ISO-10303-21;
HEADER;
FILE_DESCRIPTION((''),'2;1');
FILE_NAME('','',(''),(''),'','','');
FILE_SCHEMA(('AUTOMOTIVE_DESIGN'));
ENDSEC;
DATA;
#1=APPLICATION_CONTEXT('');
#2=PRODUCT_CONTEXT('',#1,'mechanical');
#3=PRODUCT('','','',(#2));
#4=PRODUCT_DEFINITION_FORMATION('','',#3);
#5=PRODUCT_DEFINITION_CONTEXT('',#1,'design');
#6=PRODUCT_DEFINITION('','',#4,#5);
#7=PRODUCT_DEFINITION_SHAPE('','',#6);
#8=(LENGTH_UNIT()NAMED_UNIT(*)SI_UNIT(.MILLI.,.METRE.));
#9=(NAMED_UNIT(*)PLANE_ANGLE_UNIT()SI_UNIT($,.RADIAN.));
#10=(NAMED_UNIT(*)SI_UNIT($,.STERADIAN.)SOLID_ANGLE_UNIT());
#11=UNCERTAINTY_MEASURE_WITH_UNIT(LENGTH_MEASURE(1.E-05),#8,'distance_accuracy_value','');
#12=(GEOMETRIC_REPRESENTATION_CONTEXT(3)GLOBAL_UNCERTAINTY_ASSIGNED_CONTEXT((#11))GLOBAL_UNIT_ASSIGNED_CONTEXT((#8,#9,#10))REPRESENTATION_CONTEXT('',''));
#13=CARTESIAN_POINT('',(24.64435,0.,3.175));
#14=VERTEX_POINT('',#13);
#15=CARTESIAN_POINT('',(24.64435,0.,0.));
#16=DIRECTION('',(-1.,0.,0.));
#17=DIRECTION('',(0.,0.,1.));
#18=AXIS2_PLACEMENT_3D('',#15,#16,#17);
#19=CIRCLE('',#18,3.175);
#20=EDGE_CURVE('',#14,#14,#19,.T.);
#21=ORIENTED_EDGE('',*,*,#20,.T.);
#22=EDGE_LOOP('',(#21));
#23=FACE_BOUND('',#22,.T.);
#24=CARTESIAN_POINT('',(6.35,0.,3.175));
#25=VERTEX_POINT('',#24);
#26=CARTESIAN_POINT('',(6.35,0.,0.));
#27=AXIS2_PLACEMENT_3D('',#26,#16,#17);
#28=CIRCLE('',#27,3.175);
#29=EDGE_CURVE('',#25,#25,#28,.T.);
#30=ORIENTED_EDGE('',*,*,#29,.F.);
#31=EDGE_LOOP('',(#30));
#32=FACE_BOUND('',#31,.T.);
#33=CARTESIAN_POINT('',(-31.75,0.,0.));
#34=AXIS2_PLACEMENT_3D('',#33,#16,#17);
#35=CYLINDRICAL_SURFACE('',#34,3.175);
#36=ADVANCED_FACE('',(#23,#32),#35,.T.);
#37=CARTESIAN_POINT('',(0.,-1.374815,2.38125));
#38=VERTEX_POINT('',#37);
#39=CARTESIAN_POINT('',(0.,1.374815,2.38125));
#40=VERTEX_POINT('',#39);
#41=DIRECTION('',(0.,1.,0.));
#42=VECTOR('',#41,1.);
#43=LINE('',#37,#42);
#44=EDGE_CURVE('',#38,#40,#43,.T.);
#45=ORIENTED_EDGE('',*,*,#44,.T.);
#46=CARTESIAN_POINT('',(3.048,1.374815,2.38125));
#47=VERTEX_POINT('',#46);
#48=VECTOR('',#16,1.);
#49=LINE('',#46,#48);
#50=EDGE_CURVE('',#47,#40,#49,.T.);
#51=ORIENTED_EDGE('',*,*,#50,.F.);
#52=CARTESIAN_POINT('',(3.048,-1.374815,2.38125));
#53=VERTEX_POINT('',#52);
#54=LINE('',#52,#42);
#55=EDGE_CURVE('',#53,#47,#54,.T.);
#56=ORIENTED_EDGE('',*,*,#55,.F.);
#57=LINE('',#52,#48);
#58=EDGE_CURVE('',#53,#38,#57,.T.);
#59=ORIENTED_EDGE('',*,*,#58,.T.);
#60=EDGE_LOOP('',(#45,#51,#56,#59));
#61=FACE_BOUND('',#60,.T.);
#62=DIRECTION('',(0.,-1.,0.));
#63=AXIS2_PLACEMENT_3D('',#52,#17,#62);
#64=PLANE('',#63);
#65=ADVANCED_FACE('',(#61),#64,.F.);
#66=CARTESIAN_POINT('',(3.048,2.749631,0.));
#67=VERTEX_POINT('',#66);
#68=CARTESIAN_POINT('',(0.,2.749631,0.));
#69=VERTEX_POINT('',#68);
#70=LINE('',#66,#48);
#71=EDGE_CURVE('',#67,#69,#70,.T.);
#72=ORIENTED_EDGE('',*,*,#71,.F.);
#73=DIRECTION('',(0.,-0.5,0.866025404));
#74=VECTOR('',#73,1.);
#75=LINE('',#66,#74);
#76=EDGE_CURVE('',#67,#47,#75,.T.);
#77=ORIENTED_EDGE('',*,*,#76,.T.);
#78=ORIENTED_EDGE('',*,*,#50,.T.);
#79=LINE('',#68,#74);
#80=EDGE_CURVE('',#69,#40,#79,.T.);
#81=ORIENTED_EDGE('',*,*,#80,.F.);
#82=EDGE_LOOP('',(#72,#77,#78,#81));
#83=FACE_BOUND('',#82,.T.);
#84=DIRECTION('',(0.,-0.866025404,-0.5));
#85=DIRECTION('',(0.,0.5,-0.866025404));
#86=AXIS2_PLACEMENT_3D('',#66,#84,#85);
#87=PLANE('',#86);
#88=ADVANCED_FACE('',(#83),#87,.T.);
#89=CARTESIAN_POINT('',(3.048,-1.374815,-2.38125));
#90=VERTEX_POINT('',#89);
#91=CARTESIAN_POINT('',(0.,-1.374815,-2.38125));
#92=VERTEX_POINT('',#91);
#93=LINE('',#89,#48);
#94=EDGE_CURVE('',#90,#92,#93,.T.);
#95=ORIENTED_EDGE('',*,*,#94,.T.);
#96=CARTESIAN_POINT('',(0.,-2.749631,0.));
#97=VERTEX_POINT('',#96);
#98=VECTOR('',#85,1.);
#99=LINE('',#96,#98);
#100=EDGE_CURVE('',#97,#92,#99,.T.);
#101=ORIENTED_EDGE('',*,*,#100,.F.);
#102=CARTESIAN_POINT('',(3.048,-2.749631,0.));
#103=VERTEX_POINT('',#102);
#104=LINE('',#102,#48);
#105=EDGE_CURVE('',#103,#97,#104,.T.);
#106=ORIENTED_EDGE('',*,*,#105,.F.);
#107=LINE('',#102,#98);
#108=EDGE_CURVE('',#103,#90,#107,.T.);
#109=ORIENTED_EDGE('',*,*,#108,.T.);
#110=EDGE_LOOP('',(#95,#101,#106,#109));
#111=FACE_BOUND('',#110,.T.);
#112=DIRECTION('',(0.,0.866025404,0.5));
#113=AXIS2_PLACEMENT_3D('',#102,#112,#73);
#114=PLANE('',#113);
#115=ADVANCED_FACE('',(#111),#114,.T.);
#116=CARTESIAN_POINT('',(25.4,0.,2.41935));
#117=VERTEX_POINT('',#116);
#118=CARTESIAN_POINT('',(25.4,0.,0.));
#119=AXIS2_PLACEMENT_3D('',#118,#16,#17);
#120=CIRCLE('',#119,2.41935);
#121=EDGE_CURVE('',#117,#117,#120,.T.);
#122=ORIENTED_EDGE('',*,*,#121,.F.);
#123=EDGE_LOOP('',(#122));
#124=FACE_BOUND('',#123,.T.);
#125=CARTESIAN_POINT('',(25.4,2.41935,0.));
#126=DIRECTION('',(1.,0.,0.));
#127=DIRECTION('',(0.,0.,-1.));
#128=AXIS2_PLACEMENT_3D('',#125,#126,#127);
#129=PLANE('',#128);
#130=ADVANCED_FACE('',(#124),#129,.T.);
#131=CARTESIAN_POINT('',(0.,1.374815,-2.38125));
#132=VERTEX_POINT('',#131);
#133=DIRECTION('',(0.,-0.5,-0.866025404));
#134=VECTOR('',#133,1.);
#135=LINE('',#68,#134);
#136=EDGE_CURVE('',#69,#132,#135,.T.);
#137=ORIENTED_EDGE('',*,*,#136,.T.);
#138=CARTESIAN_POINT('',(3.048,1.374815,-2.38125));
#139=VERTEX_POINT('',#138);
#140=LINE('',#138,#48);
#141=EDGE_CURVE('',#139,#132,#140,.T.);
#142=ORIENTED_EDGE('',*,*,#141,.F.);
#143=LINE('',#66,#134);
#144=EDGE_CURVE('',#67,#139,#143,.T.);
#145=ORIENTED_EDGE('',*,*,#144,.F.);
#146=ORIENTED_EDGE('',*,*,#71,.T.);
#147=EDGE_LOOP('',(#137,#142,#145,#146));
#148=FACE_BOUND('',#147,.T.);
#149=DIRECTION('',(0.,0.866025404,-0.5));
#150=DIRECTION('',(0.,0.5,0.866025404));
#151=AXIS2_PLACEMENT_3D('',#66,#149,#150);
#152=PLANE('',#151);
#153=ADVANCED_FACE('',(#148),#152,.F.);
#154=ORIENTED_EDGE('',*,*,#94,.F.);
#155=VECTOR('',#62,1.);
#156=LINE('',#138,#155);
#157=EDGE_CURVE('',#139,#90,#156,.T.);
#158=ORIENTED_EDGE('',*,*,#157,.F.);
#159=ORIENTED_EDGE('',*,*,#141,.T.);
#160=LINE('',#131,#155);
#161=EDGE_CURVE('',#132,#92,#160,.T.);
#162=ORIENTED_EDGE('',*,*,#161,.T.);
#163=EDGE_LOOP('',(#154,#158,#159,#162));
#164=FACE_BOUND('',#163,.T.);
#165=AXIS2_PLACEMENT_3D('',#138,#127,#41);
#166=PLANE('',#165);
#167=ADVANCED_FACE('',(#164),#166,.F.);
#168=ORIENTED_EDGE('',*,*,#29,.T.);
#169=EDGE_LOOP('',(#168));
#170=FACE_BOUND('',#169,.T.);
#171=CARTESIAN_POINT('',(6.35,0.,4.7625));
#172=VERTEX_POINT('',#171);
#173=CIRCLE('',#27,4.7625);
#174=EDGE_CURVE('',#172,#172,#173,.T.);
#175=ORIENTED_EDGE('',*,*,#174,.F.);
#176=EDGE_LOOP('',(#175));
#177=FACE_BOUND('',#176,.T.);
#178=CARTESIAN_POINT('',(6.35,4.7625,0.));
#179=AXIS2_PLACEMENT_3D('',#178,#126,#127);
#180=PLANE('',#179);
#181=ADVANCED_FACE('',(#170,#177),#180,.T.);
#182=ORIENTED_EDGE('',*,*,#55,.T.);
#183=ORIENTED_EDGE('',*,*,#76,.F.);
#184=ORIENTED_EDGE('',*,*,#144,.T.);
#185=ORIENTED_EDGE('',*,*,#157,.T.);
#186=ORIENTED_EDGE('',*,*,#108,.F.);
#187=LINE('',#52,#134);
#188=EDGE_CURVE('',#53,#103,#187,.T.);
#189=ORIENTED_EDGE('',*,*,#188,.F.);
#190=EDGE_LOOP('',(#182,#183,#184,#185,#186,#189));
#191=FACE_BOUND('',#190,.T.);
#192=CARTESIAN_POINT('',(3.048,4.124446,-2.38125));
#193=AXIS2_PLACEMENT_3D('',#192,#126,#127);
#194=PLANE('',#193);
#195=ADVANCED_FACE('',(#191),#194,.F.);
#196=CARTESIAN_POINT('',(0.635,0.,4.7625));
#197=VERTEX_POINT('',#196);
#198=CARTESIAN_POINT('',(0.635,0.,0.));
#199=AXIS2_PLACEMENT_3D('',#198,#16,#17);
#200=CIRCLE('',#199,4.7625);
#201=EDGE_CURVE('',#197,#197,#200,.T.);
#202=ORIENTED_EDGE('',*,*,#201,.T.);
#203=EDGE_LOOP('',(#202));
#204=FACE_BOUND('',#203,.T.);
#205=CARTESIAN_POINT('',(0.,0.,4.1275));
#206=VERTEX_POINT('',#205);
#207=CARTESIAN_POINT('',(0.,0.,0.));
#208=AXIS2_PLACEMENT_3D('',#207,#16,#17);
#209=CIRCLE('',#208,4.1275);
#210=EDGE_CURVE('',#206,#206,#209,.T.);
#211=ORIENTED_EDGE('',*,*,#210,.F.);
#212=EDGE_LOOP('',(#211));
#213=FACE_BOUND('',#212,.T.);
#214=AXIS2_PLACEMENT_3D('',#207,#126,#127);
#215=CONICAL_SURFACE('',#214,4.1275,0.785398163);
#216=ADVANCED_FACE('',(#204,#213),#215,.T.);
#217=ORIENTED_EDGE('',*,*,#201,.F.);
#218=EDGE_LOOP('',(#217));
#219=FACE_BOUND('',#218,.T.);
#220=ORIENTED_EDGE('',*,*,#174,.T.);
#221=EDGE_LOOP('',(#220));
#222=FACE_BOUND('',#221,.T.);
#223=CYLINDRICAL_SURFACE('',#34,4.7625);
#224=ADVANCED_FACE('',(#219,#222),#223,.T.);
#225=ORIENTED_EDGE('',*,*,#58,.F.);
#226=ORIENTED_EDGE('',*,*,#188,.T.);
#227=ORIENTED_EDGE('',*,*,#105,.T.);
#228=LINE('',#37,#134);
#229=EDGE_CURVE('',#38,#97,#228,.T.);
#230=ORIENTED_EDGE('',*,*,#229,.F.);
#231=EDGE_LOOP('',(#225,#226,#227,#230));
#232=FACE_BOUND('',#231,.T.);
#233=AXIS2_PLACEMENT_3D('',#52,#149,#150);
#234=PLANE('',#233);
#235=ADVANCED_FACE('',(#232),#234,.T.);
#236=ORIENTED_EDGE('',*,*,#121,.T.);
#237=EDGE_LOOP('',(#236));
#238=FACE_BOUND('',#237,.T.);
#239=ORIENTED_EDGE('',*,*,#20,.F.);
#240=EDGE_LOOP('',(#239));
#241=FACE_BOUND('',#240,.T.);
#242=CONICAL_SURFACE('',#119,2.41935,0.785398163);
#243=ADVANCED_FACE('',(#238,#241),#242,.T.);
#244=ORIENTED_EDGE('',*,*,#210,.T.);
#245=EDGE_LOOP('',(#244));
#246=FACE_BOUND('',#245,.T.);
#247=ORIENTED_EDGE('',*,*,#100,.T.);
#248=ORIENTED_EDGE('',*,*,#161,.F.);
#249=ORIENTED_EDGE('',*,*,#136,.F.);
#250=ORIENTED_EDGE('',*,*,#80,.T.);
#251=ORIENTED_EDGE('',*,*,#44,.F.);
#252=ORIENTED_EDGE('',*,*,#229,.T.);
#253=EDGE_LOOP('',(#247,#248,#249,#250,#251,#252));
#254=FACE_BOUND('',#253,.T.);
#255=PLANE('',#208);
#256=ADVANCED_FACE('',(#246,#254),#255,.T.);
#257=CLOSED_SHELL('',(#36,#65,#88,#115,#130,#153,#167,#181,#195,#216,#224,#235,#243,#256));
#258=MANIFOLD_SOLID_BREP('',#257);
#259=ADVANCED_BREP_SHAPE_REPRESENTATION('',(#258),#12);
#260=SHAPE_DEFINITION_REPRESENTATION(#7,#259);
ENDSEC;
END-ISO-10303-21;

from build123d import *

# Parameters (mm, degrees)
HEX_2_DEPTH = 3.048


with BuildPart() as part:
    # BodySke → Base-Revolve (revolve)
    with BuildSketch(Plane.XY, mode=Mode.PRIVATE) as base_revolve_sk:
        Polygon((0, 0), (0, 4.1275), (0.635, 4.7625), (6.35, 4.7625), (6.35, 3.175), (24.64435, 3.175), (25.4, 2.41935), (25.4, 0), align=None)
    revolve(base_revolve_sk.sketch.rotate(Axis((-31.75, 0, 0), (1, 0, 0)), 90), axis=Axis((-31.75, 0, 0), (1, 0, 0)))

    # Sketch3 → Hex 2 (cut)
    with BuildSketch(Plane(origin=(0, 0, 0), x_dir=(0, 0.500000000000001, 0.866025403784438), z_dir=(-1, 0, 0))):
        Polygon((1.374815329, 2.38125), (-1.374815329, 2.38125), (-2.749630657, 0), (-1.374815329, -2.38125), (1.374815329, -2.38125), (2.749630657, 0), align=None)
    extrude(amount=-HEX_2_DEPTH, mode=Mode.SUBTRACT)


solid = part.part
